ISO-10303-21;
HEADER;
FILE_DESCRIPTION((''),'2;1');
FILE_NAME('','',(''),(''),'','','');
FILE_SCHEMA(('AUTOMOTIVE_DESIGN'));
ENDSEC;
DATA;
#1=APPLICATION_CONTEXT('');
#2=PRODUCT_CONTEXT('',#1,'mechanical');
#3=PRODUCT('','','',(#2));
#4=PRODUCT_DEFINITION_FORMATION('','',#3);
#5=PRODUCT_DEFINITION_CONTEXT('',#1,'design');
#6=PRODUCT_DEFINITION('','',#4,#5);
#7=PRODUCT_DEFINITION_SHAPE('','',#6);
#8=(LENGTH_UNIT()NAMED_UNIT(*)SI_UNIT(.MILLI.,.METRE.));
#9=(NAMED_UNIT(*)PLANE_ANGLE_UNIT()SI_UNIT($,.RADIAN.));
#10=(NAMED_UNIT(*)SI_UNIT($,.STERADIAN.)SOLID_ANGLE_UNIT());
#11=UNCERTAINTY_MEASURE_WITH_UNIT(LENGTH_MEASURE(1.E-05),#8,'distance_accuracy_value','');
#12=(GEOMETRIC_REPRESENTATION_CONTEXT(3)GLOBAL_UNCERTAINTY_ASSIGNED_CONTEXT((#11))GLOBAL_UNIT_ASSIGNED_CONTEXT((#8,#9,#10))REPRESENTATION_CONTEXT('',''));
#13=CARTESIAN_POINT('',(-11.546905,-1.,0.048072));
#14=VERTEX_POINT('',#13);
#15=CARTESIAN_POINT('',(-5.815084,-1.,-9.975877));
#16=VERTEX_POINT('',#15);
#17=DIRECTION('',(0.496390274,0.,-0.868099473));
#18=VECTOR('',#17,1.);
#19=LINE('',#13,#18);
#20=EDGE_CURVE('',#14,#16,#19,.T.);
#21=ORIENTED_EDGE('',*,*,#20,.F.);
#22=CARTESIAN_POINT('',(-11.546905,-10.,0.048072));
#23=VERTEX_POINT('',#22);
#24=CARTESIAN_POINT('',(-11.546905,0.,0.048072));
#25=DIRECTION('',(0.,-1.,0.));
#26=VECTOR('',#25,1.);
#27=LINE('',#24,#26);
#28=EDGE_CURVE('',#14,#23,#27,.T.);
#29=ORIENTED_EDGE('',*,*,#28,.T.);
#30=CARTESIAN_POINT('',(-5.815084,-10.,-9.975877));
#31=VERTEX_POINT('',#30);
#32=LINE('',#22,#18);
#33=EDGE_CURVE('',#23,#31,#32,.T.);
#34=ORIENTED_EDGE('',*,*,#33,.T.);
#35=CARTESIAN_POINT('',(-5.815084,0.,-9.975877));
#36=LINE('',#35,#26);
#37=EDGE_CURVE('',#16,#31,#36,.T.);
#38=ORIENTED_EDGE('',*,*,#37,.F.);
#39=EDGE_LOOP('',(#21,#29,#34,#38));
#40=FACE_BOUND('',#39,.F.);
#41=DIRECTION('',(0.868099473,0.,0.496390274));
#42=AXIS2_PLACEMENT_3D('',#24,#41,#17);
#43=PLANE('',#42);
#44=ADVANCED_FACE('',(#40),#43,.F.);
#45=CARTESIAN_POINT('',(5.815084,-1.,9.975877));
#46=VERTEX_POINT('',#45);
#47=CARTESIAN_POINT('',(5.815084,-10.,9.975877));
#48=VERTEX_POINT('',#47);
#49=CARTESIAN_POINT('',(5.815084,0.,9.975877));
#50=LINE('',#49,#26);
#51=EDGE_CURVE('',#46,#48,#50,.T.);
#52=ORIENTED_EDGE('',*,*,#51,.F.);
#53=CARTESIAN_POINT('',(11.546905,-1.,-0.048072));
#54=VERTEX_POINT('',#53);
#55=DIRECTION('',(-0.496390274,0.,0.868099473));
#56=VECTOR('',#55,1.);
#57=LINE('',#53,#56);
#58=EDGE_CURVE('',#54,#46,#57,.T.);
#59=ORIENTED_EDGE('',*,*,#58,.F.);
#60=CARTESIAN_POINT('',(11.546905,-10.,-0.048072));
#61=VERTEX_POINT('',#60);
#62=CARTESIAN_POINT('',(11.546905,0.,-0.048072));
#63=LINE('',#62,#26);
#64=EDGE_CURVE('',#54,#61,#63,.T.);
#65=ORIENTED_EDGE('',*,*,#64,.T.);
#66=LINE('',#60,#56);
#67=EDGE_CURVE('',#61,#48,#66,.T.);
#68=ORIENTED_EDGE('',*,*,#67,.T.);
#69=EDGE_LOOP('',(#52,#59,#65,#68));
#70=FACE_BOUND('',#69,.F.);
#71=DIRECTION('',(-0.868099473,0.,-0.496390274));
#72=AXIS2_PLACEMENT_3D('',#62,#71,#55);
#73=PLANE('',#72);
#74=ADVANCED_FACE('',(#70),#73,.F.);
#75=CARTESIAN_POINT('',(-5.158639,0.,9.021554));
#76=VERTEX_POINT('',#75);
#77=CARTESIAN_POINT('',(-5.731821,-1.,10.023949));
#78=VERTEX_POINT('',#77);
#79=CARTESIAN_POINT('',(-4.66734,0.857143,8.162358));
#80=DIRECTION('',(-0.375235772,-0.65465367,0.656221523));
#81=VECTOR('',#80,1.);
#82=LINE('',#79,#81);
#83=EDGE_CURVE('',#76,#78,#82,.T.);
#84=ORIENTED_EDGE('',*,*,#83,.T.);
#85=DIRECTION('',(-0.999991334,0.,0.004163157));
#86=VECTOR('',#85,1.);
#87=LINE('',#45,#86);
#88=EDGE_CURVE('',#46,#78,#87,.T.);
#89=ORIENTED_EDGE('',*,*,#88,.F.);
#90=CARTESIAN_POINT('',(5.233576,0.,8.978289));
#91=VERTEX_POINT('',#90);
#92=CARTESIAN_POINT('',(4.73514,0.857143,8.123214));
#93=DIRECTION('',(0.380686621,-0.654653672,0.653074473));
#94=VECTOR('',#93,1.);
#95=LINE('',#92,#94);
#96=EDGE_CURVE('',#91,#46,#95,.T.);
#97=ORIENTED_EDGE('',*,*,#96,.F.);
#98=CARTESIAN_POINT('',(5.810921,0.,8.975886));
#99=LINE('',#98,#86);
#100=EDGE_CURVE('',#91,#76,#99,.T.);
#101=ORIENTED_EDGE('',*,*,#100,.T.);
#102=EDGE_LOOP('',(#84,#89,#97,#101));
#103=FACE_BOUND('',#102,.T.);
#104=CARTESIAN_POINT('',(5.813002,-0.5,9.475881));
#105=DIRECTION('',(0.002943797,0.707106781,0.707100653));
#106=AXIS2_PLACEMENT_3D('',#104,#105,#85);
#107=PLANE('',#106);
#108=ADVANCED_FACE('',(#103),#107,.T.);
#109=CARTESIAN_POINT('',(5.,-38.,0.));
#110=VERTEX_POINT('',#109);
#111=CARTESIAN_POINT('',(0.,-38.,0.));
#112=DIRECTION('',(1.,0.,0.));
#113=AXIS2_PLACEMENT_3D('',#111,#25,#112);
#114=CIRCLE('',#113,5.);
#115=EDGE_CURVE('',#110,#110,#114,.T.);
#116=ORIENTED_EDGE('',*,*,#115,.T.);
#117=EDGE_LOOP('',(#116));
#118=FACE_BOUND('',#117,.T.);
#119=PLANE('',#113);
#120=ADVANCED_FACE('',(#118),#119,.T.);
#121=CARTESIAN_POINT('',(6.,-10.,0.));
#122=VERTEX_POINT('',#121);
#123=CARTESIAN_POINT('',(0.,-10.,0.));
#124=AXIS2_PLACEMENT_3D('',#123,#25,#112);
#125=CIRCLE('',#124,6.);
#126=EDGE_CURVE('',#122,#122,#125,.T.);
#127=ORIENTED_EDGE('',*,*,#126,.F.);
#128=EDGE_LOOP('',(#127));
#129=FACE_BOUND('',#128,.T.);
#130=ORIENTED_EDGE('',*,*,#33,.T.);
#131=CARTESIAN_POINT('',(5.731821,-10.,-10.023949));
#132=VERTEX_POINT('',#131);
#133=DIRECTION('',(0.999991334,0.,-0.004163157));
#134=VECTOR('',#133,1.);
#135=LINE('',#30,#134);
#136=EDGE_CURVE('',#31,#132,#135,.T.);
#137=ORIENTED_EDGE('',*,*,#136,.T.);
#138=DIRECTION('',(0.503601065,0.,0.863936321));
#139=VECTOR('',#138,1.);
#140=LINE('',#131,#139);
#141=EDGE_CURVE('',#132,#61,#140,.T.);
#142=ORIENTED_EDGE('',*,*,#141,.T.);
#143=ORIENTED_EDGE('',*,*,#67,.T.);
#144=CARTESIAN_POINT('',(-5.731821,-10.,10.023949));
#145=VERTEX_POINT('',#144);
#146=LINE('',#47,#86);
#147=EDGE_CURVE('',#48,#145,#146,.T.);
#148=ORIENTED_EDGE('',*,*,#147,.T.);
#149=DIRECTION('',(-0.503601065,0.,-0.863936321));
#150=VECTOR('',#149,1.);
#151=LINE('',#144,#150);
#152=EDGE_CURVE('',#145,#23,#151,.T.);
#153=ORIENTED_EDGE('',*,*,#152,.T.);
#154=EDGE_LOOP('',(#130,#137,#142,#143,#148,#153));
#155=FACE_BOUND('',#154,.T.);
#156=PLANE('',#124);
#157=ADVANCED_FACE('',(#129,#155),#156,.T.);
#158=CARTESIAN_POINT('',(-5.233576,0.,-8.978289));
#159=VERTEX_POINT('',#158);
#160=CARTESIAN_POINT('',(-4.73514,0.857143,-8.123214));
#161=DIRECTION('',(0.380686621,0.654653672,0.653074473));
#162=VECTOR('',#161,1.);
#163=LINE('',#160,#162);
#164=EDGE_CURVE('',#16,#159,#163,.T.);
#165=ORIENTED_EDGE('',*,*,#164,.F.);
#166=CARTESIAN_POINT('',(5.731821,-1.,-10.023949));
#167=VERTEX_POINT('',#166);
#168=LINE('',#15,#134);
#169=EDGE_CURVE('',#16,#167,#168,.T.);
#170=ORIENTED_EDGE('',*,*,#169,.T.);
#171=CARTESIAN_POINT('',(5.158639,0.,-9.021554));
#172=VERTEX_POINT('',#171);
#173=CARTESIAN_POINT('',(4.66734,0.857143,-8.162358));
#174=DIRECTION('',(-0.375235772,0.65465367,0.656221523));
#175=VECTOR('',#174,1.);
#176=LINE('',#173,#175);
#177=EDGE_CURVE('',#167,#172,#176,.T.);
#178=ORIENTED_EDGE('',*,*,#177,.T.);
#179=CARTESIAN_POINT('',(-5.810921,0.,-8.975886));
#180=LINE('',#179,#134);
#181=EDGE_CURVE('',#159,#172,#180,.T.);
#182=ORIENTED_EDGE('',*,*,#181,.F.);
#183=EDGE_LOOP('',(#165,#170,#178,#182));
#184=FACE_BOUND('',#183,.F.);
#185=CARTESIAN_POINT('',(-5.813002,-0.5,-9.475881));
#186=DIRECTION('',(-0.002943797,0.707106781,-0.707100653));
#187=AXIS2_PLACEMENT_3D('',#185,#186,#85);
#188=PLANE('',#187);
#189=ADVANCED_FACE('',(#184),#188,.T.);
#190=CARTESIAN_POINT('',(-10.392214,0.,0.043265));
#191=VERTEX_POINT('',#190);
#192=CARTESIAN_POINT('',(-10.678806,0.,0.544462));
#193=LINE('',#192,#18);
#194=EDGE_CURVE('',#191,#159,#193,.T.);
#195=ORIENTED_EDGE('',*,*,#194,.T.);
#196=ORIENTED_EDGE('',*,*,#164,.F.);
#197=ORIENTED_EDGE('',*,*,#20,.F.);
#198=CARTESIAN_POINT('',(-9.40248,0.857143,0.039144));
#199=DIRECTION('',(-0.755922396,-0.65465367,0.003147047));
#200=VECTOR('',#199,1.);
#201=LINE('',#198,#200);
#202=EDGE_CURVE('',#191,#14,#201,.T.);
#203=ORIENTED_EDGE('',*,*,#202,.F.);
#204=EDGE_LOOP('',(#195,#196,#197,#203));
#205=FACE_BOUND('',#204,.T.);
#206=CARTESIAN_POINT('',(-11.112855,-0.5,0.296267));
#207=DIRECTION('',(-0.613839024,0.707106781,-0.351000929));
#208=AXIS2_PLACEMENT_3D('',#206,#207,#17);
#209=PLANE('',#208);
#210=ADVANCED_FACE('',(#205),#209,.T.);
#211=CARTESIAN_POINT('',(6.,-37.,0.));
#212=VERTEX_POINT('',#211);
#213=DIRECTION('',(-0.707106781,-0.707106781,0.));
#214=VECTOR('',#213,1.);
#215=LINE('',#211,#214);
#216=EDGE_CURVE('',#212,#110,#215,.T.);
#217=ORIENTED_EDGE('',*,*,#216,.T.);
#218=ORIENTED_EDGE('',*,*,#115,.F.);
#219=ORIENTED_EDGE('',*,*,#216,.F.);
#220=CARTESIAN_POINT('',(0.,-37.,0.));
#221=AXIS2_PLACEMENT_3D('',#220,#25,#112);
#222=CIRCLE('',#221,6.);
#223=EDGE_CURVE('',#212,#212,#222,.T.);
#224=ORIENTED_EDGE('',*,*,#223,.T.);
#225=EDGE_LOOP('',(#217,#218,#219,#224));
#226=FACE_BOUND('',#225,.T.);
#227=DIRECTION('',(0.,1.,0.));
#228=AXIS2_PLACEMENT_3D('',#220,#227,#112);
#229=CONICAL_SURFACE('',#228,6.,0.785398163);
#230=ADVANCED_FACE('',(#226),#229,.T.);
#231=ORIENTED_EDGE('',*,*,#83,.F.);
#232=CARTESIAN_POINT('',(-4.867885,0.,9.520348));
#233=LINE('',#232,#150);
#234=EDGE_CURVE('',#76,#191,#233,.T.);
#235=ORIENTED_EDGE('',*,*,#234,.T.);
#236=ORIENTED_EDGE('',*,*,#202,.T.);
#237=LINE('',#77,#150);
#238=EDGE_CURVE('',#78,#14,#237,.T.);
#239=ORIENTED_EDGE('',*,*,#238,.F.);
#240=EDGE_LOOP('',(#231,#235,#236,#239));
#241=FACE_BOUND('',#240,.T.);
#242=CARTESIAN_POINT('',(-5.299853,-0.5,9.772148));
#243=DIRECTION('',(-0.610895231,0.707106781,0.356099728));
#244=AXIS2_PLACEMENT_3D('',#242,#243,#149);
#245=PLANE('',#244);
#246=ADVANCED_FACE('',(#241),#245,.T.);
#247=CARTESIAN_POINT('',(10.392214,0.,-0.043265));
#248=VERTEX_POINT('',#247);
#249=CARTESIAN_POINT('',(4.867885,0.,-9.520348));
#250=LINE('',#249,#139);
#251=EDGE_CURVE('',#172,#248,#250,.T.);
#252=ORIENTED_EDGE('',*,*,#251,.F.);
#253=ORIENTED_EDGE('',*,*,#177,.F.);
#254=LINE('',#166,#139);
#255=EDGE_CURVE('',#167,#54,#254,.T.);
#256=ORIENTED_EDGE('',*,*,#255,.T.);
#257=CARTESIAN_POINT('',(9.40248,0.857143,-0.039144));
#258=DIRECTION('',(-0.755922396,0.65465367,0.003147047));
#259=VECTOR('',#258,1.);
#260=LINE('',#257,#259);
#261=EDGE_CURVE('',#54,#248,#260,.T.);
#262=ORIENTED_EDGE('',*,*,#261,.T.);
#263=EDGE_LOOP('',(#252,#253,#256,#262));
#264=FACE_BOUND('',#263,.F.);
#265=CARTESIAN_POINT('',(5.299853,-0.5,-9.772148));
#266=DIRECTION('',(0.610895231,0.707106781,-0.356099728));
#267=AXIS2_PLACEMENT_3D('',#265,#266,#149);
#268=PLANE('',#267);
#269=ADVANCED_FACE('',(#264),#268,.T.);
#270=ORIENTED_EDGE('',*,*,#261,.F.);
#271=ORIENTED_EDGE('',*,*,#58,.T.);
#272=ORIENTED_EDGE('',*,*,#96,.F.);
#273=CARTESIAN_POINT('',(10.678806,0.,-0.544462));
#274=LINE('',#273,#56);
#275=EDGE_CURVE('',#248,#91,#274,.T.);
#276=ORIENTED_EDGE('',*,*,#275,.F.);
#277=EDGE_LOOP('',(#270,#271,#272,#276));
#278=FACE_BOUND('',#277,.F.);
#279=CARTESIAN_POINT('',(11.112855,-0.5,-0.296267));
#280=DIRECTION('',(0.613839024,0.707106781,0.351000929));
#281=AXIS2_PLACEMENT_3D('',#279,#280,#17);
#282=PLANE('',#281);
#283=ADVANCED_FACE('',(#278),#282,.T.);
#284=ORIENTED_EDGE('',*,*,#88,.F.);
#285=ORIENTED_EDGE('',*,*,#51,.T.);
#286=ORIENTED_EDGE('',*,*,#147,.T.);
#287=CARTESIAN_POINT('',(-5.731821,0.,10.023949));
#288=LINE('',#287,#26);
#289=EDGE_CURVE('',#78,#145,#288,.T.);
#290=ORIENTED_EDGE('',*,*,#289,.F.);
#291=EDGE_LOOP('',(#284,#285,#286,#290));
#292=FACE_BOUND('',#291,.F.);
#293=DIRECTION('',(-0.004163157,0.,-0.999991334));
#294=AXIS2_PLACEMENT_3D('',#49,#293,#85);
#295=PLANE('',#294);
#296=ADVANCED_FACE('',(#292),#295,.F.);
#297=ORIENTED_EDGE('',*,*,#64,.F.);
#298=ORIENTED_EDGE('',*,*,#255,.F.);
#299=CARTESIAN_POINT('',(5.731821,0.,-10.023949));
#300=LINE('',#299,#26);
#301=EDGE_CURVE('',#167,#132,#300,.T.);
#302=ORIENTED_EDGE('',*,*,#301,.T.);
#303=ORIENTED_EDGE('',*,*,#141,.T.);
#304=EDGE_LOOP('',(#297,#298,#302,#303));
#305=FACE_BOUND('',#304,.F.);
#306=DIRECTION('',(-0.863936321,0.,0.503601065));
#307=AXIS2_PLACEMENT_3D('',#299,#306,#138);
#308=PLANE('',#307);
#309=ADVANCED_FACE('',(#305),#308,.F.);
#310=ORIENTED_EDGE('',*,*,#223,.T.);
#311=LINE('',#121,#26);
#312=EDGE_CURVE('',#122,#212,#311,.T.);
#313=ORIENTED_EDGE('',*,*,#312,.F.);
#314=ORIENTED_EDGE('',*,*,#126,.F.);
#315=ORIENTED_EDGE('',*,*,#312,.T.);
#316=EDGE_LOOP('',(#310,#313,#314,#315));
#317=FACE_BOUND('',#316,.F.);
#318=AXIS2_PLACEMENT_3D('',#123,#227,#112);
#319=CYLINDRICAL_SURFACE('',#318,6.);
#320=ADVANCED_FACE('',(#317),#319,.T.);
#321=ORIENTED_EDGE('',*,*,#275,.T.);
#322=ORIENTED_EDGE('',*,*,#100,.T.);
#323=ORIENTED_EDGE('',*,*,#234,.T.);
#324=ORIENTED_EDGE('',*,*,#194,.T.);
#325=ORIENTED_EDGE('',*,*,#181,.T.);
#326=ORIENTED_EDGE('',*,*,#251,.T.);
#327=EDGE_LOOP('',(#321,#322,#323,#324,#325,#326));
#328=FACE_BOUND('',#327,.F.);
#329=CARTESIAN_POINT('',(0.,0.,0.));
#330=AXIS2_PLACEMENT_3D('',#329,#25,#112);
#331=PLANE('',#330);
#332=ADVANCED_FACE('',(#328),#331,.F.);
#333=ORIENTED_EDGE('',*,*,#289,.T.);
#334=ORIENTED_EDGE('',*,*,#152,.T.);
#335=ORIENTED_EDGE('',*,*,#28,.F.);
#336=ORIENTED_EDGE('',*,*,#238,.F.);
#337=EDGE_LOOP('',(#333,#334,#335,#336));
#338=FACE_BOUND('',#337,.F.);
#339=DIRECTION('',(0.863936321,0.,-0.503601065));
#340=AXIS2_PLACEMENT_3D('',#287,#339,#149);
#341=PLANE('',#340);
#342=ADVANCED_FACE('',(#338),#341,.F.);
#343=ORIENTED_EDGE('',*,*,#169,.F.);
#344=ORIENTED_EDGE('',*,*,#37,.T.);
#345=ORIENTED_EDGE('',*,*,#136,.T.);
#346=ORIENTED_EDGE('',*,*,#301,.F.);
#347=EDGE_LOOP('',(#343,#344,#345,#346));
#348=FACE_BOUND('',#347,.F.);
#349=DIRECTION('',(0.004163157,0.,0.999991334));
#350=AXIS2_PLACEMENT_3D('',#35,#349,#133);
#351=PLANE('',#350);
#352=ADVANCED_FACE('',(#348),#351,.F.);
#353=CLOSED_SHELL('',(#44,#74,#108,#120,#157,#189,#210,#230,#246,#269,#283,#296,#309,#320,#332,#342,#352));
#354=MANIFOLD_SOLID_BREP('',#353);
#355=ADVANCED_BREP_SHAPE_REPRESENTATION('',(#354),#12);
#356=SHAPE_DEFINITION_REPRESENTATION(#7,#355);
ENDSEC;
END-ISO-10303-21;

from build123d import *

# Parameters (mm, degrees)
F1_DEPTH = 10
F2_R     = 6
F3_DEPTH = 28
F4_SIZE  = 1


with BuildPart() as f1:
    # F0 (on Front) → F1 (new body)
    with BuildSketch(Plane.XZ):
        Polygon((5.731821, -10.023949), (11.546905, -0.048072), (5.815084, 9.975877), (-5.731821, 10.023949), (-11.546905, 0.048072), (-5.815084, -9.975877), align=None)
    extrude(amount=F1_DEPTH)

    # F2 (on face) → F3 (join)
    with BuildSketch(Plane.XZ.offset(10)):
        Circle(F2_R)
    extrude(amount=F3_DEPTH)

    # F4
    f4_edges = [f1.edges().sort_by_distance(p)[0] for p in [
        (-8.639363, 0, 5.036011),
        (0.041632, 0, 9.999913),
        (8.680995, 0, 4.963902),
        (8.639363, 0, -5.036011),
        (-0.041632, 0, -9.999913),
        (-8.680995, 0, -4.963902),
        (-6, -38, 0),
    ]]
    chamfer(f4_edges, length=F4_SIZE)


solid = f1.part
